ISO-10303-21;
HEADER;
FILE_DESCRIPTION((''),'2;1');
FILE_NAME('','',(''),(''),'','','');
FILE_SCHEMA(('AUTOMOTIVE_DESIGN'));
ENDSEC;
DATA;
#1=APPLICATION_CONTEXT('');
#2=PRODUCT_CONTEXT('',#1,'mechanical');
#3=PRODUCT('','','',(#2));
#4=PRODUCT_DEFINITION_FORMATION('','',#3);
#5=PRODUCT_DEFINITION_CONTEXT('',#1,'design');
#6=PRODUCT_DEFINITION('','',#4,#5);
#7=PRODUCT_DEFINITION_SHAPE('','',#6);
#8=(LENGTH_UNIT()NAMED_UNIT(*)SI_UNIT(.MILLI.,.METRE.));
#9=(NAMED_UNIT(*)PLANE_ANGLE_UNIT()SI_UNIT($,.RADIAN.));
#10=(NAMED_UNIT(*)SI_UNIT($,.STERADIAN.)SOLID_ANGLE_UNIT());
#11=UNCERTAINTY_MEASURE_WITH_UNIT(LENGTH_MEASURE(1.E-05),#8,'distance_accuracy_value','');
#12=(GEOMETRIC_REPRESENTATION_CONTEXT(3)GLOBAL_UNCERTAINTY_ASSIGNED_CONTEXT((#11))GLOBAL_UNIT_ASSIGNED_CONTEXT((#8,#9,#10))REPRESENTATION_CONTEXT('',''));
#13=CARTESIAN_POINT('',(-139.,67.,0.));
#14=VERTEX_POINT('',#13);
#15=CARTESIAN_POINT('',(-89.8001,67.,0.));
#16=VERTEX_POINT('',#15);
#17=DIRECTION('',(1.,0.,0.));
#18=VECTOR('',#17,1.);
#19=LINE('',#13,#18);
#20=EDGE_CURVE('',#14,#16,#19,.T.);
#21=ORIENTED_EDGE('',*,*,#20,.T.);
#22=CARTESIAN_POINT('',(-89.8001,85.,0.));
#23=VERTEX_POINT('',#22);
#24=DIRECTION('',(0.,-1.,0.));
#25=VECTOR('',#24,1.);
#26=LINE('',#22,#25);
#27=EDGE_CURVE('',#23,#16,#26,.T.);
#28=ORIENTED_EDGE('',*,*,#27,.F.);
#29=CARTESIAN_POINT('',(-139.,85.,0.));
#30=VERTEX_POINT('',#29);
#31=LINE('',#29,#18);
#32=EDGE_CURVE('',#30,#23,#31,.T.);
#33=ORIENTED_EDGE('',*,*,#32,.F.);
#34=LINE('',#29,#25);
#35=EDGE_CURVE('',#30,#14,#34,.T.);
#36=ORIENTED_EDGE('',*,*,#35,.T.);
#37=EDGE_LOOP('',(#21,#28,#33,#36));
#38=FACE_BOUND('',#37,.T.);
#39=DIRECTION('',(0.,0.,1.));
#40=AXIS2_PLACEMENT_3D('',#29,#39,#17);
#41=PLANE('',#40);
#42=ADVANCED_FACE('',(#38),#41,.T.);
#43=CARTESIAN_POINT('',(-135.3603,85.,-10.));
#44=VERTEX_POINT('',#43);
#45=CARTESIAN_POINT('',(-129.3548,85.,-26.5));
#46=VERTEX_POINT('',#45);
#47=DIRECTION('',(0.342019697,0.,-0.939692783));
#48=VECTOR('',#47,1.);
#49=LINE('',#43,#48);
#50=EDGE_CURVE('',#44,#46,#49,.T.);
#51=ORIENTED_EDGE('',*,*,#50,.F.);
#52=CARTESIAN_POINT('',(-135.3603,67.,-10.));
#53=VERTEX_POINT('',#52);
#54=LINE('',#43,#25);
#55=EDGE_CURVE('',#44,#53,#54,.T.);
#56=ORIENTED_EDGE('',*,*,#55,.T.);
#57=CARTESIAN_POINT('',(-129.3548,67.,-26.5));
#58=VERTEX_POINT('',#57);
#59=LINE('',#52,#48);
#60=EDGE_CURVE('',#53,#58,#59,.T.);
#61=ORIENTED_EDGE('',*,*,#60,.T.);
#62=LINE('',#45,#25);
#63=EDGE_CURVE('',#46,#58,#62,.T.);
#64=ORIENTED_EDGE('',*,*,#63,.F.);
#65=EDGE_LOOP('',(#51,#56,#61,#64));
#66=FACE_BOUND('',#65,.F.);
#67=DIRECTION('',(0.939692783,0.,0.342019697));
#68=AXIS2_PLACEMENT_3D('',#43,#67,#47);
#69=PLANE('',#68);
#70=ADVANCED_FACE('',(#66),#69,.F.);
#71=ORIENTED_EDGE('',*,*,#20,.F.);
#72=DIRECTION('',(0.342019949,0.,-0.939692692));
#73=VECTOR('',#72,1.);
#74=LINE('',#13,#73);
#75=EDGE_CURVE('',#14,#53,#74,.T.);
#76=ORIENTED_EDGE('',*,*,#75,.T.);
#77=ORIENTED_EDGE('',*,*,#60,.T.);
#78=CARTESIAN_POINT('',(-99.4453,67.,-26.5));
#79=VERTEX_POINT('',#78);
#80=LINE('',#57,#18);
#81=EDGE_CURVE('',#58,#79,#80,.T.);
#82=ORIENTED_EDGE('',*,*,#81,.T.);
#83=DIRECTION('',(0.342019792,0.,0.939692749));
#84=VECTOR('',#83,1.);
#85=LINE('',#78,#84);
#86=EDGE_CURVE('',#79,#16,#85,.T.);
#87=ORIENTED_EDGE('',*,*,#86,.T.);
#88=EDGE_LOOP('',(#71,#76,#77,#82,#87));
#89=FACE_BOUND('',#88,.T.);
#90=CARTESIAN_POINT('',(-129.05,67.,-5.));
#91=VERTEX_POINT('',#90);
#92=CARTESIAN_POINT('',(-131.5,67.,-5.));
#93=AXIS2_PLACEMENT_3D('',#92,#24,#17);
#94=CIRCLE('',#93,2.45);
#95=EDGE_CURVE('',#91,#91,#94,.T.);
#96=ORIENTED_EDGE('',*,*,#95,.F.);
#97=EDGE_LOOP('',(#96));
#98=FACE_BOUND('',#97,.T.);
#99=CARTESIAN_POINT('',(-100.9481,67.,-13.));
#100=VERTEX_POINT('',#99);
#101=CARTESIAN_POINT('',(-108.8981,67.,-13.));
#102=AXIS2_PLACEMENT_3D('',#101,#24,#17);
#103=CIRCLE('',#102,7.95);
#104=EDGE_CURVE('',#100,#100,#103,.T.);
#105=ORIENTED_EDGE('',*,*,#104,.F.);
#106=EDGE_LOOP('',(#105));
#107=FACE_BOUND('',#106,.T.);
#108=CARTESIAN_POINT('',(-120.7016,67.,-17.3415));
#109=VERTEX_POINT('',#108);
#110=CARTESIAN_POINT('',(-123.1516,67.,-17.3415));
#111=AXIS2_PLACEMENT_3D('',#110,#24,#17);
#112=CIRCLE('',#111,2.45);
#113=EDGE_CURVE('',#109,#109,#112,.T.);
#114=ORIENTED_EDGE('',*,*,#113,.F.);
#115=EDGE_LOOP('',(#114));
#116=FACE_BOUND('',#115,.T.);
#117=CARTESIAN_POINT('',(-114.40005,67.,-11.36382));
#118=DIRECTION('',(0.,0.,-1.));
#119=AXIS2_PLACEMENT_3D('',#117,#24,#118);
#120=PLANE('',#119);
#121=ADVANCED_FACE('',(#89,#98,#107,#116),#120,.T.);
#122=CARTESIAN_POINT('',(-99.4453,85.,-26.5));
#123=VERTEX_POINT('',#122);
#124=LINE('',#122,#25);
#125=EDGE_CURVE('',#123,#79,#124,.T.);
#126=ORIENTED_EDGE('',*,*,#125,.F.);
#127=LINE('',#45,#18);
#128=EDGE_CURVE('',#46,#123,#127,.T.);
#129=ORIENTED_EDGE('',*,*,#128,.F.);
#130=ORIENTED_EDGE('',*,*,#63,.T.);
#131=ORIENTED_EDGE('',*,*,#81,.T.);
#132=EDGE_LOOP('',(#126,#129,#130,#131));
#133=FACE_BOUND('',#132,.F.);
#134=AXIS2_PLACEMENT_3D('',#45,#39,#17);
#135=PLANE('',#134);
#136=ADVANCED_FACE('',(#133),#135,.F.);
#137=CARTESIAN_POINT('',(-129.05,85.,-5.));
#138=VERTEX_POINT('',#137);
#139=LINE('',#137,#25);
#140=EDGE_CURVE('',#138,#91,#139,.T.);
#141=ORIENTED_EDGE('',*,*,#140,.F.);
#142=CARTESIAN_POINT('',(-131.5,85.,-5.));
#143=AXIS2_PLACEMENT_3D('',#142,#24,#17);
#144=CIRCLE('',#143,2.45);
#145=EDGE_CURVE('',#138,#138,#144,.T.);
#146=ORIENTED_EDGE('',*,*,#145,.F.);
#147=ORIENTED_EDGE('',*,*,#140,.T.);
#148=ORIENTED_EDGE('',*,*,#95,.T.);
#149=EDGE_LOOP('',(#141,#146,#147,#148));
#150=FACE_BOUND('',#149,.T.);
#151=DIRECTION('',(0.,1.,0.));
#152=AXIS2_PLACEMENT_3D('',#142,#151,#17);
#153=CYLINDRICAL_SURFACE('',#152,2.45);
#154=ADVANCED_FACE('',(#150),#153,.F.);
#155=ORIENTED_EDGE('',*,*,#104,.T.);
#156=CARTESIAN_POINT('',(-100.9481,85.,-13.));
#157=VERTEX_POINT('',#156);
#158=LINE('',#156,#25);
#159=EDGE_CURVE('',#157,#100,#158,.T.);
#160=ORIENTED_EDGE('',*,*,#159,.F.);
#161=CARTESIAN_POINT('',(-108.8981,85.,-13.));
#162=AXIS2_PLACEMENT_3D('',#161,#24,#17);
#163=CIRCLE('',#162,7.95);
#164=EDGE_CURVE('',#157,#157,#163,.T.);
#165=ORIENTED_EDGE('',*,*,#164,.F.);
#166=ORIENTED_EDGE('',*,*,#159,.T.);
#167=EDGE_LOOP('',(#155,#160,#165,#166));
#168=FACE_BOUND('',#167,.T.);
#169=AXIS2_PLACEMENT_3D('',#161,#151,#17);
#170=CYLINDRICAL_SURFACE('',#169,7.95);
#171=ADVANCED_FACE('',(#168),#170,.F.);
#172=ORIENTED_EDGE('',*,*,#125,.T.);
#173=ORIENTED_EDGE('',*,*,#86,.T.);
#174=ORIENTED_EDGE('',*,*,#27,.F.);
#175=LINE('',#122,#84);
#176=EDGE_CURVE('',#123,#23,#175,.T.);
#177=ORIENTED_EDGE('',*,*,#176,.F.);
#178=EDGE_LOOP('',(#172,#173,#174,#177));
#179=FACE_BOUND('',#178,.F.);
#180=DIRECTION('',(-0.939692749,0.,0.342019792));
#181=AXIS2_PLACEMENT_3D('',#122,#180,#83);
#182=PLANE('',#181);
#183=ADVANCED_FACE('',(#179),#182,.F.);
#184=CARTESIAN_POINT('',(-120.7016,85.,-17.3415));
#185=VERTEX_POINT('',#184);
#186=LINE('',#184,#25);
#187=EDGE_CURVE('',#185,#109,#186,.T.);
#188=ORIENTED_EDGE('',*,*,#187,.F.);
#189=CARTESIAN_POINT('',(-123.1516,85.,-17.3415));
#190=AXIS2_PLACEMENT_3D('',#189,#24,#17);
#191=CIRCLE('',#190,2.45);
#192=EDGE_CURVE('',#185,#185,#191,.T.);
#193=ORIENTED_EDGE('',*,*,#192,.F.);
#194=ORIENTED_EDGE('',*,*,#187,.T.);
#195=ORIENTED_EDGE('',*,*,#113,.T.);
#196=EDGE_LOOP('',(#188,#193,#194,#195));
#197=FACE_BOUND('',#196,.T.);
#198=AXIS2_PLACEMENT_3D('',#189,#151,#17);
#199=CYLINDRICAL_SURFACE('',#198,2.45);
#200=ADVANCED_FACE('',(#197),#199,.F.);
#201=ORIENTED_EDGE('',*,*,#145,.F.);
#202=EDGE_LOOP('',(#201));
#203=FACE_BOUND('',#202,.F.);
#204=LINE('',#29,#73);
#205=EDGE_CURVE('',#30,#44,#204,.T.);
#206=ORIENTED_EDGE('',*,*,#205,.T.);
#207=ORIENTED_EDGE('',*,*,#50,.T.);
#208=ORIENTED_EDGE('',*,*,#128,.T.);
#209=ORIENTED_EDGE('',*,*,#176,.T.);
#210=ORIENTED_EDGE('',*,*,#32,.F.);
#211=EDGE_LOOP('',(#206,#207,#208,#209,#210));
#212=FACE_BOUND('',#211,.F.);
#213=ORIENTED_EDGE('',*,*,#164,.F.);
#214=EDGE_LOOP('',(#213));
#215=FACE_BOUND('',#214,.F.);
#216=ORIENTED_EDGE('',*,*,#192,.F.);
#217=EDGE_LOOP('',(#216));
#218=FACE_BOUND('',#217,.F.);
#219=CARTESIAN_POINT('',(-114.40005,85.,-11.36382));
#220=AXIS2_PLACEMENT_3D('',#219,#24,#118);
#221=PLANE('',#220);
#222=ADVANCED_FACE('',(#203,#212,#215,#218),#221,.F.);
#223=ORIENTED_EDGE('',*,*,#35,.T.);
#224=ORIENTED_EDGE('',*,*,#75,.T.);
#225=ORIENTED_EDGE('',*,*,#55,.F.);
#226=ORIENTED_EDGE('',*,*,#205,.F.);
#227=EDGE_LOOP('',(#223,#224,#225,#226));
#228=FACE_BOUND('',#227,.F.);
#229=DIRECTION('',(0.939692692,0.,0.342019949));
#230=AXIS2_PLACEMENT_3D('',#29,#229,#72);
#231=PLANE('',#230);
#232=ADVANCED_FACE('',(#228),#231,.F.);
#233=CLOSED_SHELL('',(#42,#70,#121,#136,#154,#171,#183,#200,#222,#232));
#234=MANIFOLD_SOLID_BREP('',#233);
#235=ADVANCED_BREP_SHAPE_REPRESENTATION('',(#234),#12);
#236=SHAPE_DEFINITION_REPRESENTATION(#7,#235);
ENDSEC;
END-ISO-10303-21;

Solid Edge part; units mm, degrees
sketch "Sketch1" plane through (0, 85, 0) normal (0, -1, 0) x (1, 0, 0)
  line L0 (-135.3603, -10) -> (-129.3548, -26.5)
  line L1 (-129.3548, -26.5) -> (-99.4453, -26.5)
  line L2 (-99.4453, -26.5) -> (-89.8001, 0)
  line L3 (-139, 0) -> (-89.8001, 0)
  line L4 (-139, 0) -> (-135.3603, -10)
  circle A0 centre (-123.1516, -17.3415) radius 2.45
  circle A1 centre (-131.5, -5) radius 2.45
  circle A2 centre (-108.8981, -13) radius 7.95
  dimension "D1" = 13.5
extrude "Extrusionsausprägung_1" add sketch "Sketch1" along normal blind 18
properties material "(None)"
